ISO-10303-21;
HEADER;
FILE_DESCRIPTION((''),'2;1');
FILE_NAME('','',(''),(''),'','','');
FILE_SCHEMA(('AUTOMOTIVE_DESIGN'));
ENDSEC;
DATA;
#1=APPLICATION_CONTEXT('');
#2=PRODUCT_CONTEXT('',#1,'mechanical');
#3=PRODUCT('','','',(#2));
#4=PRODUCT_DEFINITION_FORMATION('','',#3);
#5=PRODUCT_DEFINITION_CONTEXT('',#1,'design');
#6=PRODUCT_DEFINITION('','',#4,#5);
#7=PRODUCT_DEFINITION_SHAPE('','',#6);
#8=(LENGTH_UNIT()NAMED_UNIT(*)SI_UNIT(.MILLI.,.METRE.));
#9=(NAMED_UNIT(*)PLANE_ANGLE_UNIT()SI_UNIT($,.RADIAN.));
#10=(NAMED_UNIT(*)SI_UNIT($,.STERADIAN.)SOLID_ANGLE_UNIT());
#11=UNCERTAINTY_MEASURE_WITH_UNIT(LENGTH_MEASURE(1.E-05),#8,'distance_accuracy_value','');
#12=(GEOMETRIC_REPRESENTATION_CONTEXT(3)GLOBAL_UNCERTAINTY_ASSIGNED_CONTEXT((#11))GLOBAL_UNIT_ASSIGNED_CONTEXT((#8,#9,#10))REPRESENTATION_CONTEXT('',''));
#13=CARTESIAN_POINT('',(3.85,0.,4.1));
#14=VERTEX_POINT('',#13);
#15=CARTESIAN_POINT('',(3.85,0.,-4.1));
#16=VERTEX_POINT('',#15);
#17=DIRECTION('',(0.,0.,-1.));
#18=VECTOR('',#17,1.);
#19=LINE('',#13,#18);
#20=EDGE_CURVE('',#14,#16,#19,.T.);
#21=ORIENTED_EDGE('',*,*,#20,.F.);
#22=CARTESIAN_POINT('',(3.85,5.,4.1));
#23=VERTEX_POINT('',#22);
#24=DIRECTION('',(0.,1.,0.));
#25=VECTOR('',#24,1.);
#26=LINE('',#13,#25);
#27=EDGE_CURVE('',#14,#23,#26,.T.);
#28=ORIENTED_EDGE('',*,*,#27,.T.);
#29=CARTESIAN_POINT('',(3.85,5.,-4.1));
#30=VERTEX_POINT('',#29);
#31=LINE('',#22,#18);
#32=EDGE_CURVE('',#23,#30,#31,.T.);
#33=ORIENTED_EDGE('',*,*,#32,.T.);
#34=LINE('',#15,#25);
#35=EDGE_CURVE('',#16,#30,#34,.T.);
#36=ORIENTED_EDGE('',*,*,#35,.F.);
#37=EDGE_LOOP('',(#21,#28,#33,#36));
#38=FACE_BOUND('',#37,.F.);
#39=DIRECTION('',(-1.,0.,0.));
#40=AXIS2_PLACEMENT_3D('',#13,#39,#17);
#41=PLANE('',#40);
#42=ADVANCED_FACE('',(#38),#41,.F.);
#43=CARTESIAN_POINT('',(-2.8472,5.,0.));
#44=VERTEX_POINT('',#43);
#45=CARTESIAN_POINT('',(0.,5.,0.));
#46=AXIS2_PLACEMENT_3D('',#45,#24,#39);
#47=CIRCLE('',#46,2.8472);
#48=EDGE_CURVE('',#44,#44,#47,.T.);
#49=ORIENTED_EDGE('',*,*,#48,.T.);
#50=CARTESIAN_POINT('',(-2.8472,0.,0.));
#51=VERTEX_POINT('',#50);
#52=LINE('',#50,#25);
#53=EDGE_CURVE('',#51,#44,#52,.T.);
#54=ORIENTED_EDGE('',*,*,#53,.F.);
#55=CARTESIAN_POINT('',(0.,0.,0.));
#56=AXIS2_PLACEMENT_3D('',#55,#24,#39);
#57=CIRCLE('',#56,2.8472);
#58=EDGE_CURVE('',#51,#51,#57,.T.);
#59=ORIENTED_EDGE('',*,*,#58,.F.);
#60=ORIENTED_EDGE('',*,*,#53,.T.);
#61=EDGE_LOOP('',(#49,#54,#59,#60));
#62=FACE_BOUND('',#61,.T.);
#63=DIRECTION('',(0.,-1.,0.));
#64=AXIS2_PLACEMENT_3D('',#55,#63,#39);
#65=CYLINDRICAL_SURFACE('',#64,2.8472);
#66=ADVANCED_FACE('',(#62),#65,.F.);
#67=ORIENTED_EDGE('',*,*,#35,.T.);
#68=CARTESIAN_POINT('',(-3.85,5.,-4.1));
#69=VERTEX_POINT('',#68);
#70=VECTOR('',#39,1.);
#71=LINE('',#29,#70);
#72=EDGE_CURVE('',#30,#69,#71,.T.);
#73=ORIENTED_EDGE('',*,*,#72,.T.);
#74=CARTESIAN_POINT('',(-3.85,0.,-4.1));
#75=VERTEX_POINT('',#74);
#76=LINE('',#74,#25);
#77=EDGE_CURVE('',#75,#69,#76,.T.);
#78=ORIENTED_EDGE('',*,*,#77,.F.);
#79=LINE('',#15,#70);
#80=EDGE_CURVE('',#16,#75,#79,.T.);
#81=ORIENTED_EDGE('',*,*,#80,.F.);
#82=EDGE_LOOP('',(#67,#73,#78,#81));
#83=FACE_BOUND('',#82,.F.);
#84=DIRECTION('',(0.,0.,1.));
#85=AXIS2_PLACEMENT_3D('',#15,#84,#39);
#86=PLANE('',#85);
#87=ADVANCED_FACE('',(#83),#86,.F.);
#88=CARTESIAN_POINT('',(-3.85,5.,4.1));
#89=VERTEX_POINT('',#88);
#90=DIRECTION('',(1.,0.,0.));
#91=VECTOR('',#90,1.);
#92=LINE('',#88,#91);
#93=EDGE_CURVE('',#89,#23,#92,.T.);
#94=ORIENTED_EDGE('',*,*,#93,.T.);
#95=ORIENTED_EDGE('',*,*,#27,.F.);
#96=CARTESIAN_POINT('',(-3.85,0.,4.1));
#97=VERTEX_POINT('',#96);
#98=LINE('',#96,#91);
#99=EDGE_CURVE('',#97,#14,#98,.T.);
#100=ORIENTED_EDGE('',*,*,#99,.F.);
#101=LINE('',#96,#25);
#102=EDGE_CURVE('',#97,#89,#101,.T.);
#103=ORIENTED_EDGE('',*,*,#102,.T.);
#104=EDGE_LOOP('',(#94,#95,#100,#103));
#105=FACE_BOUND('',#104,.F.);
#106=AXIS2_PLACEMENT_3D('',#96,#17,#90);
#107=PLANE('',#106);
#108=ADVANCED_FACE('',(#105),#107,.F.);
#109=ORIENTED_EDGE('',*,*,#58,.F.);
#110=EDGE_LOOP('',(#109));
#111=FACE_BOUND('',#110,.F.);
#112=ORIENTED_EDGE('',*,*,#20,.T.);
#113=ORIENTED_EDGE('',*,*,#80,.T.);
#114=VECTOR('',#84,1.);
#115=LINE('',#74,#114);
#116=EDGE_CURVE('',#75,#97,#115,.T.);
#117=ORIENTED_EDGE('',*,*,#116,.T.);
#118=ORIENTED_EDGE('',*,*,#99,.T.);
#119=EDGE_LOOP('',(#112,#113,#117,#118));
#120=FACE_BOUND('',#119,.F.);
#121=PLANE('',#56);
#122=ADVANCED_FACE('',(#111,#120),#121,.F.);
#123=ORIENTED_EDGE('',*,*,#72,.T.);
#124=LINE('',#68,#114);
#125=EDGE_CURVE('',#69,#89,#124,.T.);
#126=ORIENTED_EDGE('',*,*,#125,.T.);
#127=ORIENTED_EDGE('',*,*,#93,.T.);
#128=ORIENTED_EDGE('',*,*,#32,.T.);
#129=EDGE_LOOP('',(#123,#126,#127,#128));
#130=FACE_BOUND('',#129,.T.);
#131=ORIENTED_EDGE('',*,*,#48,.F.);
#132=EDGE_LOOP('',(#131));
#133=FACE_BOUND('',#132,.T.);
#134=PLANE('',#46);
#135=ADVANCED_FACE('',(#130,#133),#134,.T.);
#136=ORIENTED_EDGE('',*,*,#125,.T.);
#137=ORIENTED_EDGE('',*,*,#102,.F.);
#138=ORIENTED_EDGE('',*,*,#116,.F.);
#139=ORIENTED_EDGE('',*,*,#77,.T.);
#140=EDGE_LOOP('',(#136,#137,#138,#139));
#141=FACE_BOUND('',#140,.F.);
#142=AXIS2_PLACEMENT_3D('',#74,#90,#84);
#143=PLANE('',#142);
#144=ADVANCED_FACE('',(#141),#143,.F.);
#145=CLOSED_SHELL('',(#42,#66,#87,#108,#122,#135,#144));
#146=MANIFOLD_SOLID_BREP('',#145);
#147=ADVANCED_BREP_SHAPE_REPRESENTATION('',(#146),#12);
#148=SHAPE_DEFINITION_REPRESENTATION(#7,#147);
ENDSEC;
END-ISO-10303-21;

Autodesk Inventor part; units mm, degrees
ref_plane "YZ Plane" through (0, 0, 0) normal (1, 0, 0) x (0, 1, 0)
ref_plane "XZ Plane" through (0, 0, 0) normal (0, 1, 0) x (-1, 0, 0)
ref_plane "XY Plane" through (0, 0, 0) normal (0, 0, 1) x (1, 0, 0)
sketch "Sketch1" plane through (0, 0, 0) normal (0, 1, 0) x (-1, 0, 0)
  line L0 (3.85, 4.1) -> (-3.85, 4.1)
  line L1 (-3.85, 4.1) -> (-3.85, -4.1)
  line L2 (-3.85, -4.1) -> (3.85, -4.1)
  line L3 (3.85, -4.1) -> (3.85, 4.1)
  line L4 (3.85, 4.1) -> (-3.85, -4.1) construction
  line L5 (-3.85, 4.1) -> (3.85, -4.1) construction
  circle A0 centre (0, 0) radius 2.8472
  dimension "d0" = 7.7
  dimension "d1" = 8.2
extrude "Extrusion1" add sketch "Sketch1" along normal blind 5
properties part number "00_Lens_Iphone_5s"
